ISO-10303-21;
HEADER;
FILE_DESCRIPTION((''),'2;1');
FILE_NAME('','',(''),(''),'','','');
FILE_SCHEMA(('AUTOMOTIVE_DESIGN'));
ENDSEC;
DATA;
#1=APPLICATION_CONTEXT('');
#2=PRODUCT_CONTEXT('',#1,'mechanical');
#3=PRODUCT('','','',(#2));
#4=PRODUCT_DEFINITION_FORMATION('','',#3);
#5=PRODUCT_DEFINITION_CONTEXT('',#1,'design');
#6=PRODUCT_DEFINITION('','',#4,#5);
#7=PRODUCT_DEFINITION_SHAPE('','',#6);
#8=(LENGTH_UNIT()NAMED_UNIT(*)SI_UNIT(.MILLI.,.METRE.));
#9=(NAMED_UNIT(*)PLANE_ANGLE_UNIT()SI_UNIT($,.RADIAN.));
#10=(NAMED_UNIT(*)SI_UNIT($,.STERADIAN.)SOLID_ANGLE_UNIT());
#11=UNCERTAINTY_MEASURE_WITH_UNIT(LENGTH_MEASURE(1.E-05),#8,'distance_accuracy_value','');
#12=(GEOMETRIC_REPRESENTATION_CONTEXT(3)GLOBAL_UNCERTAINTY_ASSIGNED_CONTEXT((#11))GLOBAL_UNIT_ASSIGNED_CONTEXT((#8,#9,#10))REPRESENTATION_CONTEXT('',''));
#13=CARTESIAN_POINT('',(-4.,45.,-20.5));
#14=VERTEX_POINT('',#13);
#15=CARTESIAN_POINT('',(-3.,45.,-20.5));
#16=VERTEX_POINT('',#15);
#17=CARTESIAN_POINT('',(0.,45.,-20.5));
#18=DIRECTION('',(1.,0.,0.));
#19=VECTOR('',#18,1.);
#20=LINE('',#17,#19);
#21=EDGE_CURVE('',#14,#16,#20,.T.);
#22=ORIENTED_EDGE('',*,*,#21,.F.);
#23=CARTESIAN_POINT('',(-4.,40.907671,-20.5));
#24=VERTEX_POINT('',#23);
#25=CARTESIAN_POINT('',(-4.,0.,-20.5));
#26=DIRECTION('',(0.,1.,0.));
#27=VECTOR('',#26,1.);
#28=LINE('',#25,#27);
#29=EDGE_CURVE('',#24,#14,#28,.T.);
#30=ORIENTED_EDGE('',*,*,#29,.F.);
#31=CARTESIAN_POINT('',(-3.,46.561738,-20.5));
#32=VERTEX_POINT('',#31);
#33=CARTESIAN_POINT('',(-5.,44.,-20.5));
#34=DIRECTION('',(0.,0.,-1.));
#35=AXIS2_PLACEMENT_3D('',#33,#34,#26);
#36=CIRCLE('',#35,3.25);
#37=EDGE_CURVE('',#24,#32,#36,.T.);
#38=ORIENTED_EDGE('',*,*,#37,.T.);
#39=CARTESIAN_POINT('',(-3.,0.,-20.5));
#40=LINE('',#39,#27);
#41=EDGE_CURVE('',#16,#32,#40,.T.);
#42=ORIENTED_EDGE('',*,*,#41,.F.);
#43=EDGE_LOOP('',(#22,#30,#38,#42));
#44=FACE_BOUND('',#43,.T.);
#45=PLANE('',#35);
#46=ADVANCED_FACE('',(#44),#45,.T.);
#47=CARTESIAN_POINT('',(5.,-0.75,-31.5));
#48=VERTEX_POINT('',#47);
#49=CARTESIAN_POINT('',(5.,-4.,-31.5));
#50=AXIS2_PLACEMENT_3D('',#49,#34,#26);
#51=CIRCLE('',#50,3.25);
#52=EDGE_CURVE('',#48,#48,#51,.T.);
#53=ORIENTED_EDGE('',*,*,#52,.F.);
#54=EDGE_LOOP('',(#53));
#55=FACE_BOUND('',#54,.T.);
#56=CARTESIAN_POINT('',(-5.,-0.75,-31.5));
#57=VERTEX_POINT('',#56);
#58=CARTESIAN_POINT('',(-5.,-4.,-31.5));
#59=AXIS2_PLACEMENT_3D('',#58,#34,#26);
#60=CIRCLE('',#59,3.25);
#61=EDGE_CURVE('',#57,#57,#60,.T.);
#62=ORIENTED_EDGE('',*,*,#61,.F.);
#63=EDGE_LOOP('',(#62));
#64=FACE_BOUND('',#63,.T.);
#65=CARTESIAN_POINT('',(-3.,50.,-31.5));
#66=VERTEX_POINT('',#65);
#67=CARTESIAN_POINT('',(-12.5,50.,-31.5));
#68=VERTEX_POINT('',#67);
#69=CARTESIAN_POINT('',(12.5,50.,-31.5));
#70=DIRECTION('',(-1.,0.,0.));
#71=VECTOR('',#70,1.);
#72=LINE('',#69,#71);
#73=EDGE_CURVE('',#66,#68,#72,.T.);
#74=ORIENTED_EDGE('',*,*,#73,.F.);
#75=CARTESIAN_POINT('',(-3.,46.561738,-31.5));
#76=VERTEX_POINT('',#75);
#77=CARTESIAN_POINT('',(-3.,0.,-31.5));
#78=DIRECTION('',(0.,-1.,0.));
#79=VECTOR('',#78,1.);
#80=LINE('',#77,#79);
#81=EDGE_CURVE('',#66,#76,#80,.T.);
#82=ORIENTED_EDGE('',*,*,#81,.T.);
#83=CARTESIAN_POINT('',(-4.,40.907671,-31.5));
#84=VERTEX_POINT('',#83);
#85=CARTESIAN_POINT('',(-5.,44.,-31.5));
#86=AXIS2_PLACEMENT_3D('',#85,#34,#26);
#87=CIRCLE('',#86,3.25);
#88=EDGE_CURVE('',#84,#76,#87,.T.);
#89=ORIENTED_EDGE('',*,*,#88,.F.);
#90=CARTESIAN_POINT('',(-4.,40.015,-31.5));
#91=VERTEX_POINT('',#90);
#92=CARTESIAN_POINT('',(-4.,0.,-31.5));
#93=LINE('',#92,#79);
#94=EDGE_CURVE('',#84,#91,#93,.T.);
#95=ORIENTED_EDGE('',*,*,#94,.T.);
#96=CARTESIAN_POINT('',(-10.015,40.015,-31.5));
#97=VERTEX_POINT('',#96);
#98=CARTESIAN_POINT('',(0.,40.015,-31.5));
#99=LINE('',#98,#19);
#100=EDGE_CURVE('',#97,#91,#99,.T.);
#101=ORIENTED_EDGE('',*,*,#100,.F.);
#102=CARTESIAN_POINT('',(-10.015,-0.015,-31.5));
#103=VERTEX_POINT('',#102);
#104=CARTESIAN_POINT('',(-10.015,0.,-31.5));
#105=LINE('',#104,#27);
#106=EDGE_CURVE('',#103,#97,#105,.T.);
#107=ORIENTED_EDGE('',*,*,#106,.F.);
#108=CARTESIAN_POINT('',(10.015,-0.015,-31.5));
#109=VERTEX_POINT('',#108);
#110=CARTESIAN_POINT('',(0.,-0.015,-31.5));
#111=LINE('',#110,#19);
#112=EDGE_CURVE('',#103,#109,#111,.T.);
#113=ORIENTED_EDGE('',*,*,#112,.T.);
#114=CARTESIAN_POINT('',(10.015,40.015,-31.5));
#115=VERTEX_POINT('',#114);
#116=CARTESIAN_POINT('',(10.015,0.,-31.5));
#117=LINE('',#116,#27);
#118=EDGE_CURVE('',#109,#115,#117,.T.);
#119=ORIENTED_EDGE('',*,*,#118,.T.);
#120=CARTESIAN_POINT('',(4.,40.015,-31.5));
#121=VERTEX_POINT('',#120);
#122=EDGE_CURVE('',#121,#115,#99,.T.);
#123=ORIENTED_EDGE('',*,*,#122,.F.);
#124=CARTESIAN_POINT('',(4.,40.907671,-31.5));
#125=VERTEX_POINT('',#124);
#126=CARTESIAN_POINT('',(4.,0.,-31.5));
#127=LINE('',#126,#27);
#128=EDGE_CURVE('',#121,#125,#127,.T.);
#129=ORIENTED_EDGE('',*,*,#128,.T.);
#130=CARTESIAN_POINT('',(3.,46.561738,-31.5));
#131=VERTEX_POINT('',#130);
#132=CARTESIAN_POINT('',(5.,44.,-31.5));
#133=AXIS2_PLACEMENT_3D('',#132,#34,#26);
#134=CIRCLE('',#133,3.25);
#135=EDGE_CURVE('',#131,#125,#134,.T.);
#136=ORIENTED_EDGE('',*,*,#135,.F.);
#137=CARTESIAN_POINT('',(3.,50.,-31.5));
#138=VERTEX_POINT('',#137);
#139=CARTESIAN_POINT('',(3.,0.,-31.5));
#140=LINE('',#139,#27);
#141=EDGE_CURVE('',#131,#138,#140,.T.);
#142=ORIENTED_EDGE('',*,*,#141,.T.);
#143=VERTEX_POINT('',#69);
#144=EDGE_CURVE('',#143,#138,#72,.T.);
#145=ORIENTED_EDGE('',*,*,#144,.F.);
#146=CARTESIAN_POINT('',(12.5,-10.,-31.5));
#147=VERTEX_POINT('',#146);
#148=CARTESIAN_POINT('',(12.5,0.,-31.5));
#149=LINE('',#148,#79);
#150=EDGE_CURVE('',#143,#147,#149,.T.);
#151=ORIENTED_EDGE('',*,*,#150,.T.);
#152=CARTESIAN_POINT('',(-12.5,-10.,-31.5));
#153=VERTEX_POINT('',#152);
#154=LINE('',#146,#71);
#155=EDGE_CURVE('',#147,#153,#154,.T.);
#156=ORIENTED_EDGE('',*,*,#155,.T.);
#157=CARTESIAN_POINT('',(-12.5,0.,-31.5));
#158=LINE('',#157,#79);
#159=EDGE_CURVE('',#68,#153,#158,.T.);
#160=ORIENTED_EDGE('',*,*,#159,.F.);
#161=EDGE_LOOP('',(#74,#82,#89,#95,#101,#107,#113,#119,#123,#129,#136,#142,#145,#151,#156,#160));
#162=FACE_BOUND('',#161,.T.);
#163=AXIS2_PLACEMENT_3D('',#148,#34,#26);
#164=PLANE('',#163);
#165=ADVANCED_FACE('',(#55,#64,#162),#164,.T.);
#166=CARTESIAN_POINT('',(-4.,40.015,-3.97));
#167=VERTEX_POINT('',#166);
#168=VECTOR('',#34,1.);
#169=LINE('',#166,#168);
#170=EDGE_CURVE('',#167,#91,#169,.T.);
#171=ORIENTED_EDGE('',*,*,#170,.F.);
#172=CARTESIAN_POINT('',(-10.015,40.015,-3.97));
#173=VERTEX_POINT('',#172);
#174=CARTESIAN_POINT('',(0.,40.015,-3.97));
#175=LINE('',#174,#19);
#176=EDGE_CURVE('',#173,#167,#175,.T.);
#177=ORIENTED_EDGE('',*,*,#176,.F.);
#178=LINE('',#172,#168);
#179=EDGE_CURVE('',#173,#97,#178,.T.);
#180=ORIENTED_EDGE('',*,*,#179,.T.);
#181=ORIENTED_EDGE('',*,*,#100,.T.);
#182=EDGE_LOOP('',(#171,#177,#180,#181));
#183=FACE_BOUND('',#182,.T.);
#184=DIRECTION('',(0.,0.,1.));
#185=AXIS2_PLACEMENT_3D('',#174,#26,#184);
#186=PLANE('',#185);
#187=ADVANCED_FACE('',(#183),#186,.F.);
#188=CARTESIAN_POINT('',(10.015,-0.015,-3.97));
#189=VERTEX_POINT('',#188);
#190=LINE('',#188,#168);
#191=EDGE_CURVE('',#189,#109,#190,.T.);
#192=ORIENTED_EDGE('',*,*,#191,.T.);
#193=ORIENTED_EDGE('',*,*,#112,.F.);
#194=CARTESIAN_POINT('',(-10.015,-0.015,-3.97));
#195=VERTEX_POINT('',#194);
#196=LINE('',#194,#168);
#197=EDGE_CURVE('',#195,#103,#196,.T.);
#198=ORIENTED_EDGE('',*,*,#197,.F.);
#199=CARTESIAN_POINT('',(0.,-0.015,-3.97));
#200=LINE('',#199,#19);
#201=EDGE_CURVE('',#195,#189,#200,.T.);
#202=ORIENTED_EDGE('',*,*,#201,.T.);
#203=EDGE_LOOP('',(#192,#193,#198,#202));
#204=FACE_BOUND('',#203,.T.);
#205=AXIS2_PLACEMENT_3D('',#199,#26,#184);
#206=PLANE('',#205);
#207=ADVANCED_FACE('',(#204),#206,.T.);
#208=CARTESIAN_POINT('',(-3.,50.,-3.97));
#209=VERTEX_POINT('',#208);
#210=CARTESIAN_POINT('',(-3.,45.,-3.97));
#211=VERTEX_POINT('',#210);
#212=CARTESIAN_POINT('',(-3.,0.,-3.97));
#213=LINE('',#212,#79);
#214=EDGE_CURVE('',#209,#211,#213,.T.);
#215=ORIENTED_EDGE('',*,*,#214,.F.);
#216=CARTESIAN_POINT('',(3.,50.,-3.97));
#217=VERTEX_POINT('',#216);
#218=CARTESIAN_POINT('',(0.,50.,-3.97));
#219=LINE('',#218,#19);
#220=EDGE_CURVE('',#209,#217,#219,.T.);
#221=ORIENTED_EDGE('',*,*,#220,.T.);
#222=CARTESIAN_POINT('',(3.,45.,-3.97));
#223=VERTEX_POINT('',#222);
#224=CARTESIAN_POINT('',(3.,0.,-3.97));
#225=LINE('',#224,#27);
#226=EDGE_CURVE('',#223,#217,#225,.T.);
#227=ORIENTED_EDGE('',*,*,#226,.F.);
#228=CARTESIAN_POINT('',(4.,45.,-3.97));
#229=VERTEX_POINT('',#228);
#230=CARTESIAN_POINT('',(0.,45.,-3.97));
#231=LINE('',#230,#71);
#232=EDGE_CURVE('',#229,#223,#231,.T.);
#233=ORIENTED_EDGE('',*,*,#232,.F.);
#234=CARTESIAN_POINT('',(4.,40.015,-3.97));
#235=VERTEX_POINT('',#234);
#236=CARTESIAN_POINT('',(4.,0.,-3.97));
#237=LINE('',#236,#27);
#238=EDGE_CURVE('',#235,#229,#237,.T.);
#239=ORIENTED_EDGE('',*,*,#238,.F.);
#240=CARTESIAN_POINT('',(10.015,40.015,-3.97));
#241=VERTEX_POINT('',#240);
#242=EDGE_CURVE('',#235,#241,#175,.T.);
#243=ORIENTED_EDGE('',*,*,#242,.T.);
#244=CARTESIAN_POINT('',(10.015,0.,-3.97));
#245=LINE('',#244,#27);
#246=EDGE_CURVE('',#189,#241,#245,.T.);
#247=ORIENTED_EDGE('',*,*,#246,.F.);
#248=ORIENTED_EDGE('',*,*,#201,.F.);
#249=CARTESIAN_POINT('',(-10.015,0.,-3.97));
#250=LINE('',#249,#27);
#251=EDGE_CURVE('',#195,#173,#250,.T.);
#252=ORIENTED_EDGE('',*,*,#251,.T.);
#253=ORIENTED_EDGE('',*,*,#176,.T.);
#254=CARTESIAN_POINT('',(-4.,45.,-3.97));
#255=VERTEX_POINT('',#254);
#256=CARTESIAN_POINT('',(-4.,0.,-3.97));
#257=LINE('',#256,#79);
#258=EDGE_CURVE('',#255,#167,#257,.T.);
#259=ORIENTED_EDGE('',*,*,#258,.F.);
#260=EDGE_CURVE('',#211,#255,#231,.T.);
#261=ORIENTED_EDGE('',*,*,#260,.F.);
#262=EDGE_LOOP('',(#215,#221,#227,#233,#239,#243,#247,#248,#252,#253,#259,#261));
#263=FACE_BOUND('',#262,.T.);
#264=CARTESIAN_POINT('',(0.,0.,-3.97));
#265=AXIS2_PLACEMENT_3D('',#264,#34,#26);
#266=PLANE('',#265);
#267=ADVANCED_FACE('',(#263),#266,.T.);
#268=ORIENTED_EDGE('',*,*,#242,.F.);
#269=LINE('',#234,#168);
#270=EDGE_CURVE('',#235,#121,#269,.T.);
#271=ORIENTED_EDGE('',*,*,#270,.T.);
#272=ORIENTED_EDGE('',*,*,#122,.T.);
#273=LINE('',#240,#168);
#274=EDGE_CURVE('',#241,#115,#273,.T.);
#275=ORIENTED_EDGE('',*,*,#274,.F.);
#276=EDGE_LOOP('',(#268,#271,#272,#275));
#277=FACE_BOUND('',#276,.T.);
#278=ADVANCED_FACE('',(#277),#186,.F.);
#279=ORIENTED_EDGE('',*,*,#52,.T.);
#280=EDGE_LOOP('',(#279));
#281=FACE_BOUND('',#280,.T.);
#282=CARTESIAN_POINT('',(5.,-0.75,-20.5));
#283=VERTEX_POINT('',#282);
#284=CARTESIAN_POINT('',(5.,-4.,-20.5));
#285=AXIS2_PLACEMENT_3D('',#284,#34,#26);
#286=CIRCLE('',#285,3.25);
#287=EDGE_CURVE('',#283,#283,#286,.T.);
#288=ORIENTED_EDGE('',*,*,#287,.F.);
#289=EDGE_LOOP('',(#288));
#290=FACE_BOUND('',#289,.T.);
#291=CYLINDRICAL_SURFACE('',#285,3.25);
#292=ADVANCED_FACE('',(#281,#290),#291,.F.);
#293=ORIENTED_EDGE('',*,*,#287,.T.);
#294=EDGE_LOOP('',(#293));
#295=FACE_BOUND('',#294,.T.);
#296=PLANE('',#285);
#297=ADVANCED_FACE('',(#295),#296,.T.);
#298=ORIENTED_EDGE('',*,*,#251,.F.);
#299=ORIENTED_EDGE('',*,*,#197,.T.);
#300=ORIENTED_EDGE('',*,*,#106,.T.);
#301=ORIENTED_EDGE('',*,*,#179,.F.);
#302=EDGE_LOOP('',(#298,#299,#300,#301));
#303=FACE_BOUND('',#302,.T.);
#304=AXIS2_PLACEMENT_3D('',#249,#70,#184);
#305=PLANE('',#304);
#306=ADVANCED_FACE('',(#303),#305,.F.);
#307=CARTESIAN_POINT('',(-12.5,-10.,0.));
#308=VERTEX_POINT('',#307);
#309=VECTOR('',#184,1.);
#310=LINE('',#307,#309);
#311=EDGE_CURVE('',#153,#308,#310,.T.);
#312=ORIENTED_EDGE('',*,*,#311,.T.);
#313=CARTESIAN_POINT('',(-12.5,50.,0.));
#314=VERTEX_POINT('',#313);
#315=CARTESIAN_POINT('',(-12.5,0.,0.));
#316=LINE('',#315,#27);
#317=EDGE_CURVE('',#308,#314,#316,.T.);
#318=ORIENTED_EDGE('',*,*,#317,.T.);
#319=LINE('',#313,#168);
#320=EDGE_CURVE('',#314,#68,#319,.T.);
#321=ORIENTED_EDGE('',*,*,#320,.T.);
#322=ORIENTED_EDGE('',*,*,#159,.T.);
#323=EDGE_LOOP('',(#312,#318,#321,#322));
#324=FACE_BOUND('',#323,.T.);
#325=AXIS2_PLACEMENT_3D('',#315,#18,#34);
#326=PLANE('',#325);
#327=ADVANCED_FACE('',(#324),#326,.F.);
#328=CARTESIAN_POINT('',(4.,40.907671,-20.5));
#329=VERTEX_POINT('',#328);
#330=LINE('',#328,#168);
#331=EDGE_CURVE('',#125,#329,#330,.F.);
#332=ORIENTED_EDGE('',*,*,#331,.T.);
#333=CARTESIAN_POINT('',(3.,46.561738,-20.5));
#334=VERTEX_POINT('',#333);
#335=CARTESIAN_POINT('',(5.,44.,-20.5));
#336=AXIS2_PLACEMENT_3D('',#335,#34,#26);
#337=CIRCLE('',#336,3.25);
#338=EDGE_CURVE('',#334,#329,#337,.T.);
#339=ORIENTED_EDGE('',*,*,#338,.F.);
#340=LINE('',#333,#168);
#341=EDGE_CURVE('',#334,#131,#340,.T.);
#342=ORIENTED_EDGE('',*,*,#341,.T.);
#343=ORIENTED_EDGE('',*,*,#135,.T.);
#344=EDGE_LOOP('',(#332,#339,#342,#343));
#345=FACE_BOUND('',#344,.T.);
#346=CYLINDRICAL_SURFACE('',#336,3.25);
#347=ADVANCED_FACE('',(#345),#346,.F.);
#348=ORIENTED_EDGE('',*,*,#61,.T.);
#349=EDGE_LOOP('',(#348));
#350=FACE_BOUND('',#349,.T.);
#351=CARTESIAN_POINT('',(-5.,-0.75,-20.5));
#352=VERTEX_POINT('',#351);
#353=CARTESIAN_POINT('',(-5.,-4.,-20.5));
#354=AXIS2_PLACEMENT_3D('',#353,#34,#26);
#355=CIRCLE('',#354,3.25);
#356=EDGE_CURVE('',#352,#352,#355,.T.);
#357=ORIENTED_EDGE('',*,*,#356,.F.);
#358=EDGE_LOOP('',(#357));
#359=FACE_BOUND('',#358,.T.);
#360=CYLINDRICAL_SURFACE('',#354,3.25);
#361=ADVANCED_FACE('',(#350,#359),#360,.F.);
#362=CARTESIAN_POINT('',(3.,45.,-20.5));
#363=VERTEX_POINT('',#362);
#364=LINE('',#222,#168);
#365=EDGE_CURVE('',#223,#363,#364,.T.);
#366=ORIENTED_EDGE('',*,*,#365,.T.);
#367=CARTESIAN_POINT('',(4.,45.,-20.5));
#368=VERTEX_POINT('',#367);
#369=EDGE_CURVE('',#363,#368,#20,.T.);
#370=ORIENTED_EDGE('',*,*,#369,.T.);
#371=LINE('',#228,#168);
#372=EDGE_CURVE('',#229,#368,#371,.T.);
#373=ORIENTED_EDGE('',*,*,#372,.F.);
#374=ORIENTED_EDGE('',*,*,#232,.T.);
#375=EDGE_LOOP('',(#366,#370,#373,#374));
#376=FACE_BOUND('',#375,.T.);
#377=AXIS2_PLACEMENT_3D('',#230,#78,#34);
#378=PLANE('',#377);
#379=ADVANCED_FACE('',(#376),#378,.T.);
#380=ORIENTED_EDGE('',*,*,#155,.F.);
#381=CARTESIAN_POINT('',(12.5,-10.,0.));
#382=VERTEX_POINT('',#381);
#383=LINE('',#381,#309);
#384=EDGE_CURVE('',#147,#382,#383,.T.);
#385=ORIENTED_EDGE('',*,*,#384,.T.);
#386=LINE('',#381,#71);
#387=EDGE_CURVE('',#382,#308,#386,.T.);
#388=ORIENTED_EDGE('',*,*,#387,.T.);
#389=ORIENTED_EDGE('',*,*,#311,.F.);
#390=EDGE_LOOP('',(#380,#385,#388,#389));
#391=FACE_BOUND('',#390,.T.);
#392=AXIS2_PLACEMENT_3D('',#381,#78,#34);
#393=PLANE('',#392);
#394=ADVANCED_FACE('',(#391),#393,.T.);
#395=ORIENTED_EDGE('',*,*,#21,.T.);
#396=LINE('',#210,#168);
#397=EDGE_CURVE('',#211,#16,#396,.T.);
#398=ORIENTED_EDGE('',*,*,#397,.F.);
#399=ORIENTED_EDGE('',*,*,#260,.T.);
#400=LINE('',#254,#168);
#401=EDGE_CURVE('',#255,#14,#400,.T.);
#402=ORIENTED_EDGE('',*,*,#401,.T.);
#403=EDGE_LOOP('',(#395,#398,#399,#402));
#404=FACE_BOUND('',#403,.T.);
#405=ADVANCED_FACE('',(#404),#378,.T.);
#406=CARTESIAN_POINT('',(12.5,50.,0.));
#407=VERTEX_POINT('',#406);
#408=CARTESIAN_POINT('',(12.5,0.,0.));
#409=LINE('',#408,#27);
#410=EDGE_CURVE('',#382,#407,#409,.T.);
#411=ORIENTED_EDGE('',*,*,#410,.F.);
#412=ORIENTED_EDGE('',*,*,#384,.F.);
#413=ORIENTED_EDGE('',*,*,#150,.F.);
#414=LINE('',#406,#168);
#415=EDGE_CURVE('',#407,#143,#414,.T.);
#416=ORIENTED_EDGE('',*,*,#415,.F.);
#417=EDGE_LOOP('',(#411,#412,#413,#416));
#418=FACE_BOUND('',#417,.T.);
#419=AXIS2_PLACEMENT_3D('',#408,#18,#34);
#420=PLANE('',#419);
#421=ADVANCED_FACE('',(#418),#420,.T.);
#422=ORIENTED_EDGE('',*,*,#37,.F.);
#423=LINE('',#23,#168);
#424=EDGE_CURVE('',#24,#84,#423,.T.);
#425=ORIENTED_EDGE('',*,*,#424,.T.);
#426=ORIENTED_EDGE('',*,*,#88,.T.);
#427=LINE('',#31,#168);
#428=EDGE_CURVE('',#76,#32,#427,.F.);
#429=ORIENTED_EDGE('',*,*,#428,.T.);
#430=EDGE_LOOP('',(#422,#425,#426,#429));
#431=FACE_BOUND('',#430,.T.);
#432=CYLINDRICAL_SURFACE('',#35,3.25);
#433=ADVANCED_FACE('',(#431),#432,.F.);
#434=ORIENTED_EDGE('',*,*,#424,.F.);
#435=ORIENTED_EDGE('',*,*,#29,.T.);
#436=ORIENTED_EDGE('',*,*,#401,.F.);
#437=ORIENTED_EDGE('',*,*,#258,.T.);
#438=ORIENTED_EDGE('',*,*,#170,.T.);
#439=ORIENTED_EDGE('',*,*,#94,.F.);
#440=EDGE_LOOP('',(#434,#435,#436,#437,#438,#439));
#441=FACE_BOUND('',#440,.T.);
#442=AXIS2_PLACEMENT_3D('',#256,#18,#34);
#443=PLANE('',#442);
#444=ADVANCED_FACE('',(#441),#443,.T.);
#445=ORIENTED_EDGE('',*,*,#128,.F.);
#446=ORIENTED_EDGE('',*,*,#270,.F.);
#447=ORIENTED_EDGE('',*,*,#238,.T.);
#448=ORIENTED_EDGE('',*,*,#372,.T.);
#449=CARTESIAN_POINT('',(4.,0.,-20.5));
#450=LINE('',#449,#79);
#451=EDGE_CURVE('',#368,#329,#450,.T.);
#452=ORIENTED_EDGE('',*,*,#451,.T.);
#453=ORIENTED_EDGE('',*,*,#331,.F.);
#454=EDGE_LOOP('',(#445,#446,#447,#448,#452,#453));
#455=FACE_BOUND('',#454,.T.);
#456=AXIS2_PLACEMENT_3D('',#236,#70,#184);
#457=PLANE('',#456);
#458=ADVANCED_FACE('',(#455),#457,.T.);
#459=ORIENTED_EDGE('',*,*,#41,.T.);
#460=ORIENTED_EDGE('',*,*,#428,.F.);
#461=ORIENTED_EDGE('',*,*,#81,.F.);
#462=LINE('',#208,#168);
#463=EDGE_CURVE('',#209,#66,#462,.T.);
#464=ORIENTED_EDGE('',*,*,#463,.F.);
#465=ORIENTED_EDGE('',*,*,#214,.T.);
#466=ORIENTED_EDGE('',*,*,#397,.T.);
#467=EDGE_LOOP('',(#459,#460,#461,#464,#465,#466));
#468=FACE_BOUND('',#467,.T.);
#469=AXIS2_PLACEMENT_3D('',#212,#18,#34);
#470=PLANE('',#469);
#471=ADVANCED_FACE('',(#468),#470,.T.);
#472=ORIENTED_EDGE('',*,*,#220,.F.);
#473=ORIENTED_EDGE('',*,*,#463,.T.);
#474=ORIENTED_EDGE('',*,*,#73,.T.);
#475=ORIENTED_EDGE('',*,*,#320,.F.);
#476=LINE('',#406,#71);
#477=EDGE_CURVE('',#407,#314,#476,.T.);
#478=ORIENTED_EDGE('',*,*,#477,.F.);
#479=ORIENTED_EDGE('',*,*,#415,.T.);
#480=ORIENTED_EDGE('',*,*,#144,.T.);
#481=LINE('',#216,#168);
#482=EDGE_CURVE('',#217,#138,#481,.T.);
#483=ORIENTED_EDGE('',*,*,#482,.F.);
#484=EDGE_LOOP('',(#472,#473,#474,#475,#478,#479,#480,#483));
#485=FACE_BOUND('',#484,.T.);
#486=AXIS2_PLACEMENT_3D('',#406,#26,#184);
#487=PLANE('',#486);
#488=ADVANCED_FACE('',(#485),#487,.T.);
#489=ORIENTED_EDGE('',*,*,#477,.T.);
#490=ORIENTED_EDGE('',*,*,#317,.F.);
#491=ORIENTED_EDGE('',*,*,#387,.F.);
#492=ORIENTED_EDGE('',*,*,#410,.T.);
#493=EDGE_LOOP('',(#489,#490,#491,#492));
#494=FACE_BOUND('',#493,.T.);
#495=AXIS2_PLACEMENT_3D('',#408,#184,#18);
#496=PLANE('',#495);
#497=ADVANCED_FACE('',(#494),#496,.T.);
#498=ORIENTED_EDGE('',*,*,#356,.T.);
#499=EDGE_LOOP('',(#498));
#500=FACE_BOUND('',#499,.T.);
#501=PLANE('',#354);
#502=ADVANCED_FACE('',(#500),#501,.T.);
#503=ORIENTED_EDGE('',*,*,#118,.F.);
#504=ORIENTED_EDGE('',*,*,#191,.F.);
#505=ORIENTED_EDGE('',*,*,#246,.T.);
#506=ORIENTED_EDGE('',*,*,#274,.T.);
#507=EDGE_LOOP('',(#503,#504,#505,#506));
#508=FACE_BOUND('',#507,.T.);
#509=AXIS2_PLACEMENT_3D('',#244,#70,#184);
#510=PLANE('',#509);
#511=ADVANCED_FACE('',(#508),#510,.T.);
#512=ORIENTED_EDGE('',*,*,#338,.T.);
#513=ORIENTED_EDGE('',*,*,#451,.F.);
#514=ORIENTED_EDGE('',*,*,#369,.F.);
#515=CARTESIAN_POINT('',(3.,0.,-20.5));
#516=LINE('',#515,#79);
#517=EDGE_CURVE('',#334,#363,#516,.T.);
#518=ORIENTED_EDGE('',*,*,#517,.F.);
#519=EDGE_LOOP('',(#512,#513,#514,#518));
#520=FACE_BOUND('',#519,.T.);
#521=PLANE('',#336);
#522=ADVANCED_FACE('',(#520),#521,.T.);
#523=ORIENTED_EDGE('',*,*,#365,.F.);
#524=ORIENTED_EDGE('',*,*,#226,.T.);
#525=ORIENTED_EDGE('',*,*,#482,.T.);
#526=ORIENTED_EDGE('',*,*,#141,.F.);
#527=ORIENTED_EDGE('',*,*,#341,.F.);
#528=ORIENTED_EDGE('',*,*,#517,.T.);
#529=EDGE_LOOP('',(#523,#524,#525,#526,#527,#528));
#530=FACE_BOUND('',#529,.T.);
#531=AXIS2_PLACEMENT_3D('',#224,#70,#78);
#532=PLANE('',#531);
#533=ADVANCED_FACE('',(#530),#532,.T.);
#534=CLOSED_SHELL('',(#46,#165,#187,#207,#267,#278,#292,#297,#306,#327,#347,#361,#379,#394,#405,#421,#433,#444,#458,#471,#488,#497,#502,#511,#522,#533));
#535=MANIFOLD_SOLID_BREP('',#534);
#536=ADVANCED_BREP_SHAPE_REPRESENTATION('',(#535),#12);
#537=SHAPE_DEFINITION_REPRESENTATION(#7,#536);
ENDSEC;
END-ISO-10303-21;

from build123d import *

# Parameters (mm, degrees)
SKETCH1_W           = 31.5
SKETCH1_H           = 60
BOSS_EXTRUDE1_DEPTH = 12.5
CUT_EXTRUDE1_DEPTH  = 27.53
SKETCH6_R           = 3.25
CUT_EXTRUDE2_DEPTH  = 11


with BuildPart() as part:
    # Sketch1 → Boss-Extrude1 (new, symmetric)
    with BuildSketch(Plane(origin=(0, 0, 0), x_dir=(0, 0, -1), z_dir=(1, 0, 0))):
        with Locations((15.75, 20)):
            Rectangle(SKETCH1_W, SKETCH1_H)
    extrude(amount=BOSS_EXTRUDE1_DEPTH, both=True)

    # Sketch2 → Cut-Extrude1 (cut)
    with BuildSketch(Plane(origin=(0, 0, -31.5), x_dir=(-1, 0, 0), z_dir=(0, 0, -1))):
        Polygon((10.015, -0.015), (10.015, 40.015), (4, 40.015), (4, 45), (3, 45), (3, 50), (-3, 50), (-3, 45), (-4, 45), (-4, 40.015), (-10.015, 40.015), (-10.015, -0.015), align=None)
    extrude(amount=-CUT_EXTRUDE1_DEPTH, mode=Mode.SUBTRACT)

    # Sketch6 → Cut-Extrude2 (cut)
    with BuildSketch(Plane(origin=(0, 0, -31.5), x_dir=(-1, 0, 0), z_dir=(0, 0, -1))):
        with Locations((-5, 44)):
            Circle(SKETCH6_R)
        with Locations((5, 44)):
            Circle(SKETCH6_R)
        with Locations((5, -4)):
            Circle(SKETCH6_R)
        with Locations((-5, -4)):
            Circle(SKETCH6_R)
    extrude(amount=-CUT_EXTRUDE2_DEPTH, mode=Mode.SUBTRACT)


solid = part.part
